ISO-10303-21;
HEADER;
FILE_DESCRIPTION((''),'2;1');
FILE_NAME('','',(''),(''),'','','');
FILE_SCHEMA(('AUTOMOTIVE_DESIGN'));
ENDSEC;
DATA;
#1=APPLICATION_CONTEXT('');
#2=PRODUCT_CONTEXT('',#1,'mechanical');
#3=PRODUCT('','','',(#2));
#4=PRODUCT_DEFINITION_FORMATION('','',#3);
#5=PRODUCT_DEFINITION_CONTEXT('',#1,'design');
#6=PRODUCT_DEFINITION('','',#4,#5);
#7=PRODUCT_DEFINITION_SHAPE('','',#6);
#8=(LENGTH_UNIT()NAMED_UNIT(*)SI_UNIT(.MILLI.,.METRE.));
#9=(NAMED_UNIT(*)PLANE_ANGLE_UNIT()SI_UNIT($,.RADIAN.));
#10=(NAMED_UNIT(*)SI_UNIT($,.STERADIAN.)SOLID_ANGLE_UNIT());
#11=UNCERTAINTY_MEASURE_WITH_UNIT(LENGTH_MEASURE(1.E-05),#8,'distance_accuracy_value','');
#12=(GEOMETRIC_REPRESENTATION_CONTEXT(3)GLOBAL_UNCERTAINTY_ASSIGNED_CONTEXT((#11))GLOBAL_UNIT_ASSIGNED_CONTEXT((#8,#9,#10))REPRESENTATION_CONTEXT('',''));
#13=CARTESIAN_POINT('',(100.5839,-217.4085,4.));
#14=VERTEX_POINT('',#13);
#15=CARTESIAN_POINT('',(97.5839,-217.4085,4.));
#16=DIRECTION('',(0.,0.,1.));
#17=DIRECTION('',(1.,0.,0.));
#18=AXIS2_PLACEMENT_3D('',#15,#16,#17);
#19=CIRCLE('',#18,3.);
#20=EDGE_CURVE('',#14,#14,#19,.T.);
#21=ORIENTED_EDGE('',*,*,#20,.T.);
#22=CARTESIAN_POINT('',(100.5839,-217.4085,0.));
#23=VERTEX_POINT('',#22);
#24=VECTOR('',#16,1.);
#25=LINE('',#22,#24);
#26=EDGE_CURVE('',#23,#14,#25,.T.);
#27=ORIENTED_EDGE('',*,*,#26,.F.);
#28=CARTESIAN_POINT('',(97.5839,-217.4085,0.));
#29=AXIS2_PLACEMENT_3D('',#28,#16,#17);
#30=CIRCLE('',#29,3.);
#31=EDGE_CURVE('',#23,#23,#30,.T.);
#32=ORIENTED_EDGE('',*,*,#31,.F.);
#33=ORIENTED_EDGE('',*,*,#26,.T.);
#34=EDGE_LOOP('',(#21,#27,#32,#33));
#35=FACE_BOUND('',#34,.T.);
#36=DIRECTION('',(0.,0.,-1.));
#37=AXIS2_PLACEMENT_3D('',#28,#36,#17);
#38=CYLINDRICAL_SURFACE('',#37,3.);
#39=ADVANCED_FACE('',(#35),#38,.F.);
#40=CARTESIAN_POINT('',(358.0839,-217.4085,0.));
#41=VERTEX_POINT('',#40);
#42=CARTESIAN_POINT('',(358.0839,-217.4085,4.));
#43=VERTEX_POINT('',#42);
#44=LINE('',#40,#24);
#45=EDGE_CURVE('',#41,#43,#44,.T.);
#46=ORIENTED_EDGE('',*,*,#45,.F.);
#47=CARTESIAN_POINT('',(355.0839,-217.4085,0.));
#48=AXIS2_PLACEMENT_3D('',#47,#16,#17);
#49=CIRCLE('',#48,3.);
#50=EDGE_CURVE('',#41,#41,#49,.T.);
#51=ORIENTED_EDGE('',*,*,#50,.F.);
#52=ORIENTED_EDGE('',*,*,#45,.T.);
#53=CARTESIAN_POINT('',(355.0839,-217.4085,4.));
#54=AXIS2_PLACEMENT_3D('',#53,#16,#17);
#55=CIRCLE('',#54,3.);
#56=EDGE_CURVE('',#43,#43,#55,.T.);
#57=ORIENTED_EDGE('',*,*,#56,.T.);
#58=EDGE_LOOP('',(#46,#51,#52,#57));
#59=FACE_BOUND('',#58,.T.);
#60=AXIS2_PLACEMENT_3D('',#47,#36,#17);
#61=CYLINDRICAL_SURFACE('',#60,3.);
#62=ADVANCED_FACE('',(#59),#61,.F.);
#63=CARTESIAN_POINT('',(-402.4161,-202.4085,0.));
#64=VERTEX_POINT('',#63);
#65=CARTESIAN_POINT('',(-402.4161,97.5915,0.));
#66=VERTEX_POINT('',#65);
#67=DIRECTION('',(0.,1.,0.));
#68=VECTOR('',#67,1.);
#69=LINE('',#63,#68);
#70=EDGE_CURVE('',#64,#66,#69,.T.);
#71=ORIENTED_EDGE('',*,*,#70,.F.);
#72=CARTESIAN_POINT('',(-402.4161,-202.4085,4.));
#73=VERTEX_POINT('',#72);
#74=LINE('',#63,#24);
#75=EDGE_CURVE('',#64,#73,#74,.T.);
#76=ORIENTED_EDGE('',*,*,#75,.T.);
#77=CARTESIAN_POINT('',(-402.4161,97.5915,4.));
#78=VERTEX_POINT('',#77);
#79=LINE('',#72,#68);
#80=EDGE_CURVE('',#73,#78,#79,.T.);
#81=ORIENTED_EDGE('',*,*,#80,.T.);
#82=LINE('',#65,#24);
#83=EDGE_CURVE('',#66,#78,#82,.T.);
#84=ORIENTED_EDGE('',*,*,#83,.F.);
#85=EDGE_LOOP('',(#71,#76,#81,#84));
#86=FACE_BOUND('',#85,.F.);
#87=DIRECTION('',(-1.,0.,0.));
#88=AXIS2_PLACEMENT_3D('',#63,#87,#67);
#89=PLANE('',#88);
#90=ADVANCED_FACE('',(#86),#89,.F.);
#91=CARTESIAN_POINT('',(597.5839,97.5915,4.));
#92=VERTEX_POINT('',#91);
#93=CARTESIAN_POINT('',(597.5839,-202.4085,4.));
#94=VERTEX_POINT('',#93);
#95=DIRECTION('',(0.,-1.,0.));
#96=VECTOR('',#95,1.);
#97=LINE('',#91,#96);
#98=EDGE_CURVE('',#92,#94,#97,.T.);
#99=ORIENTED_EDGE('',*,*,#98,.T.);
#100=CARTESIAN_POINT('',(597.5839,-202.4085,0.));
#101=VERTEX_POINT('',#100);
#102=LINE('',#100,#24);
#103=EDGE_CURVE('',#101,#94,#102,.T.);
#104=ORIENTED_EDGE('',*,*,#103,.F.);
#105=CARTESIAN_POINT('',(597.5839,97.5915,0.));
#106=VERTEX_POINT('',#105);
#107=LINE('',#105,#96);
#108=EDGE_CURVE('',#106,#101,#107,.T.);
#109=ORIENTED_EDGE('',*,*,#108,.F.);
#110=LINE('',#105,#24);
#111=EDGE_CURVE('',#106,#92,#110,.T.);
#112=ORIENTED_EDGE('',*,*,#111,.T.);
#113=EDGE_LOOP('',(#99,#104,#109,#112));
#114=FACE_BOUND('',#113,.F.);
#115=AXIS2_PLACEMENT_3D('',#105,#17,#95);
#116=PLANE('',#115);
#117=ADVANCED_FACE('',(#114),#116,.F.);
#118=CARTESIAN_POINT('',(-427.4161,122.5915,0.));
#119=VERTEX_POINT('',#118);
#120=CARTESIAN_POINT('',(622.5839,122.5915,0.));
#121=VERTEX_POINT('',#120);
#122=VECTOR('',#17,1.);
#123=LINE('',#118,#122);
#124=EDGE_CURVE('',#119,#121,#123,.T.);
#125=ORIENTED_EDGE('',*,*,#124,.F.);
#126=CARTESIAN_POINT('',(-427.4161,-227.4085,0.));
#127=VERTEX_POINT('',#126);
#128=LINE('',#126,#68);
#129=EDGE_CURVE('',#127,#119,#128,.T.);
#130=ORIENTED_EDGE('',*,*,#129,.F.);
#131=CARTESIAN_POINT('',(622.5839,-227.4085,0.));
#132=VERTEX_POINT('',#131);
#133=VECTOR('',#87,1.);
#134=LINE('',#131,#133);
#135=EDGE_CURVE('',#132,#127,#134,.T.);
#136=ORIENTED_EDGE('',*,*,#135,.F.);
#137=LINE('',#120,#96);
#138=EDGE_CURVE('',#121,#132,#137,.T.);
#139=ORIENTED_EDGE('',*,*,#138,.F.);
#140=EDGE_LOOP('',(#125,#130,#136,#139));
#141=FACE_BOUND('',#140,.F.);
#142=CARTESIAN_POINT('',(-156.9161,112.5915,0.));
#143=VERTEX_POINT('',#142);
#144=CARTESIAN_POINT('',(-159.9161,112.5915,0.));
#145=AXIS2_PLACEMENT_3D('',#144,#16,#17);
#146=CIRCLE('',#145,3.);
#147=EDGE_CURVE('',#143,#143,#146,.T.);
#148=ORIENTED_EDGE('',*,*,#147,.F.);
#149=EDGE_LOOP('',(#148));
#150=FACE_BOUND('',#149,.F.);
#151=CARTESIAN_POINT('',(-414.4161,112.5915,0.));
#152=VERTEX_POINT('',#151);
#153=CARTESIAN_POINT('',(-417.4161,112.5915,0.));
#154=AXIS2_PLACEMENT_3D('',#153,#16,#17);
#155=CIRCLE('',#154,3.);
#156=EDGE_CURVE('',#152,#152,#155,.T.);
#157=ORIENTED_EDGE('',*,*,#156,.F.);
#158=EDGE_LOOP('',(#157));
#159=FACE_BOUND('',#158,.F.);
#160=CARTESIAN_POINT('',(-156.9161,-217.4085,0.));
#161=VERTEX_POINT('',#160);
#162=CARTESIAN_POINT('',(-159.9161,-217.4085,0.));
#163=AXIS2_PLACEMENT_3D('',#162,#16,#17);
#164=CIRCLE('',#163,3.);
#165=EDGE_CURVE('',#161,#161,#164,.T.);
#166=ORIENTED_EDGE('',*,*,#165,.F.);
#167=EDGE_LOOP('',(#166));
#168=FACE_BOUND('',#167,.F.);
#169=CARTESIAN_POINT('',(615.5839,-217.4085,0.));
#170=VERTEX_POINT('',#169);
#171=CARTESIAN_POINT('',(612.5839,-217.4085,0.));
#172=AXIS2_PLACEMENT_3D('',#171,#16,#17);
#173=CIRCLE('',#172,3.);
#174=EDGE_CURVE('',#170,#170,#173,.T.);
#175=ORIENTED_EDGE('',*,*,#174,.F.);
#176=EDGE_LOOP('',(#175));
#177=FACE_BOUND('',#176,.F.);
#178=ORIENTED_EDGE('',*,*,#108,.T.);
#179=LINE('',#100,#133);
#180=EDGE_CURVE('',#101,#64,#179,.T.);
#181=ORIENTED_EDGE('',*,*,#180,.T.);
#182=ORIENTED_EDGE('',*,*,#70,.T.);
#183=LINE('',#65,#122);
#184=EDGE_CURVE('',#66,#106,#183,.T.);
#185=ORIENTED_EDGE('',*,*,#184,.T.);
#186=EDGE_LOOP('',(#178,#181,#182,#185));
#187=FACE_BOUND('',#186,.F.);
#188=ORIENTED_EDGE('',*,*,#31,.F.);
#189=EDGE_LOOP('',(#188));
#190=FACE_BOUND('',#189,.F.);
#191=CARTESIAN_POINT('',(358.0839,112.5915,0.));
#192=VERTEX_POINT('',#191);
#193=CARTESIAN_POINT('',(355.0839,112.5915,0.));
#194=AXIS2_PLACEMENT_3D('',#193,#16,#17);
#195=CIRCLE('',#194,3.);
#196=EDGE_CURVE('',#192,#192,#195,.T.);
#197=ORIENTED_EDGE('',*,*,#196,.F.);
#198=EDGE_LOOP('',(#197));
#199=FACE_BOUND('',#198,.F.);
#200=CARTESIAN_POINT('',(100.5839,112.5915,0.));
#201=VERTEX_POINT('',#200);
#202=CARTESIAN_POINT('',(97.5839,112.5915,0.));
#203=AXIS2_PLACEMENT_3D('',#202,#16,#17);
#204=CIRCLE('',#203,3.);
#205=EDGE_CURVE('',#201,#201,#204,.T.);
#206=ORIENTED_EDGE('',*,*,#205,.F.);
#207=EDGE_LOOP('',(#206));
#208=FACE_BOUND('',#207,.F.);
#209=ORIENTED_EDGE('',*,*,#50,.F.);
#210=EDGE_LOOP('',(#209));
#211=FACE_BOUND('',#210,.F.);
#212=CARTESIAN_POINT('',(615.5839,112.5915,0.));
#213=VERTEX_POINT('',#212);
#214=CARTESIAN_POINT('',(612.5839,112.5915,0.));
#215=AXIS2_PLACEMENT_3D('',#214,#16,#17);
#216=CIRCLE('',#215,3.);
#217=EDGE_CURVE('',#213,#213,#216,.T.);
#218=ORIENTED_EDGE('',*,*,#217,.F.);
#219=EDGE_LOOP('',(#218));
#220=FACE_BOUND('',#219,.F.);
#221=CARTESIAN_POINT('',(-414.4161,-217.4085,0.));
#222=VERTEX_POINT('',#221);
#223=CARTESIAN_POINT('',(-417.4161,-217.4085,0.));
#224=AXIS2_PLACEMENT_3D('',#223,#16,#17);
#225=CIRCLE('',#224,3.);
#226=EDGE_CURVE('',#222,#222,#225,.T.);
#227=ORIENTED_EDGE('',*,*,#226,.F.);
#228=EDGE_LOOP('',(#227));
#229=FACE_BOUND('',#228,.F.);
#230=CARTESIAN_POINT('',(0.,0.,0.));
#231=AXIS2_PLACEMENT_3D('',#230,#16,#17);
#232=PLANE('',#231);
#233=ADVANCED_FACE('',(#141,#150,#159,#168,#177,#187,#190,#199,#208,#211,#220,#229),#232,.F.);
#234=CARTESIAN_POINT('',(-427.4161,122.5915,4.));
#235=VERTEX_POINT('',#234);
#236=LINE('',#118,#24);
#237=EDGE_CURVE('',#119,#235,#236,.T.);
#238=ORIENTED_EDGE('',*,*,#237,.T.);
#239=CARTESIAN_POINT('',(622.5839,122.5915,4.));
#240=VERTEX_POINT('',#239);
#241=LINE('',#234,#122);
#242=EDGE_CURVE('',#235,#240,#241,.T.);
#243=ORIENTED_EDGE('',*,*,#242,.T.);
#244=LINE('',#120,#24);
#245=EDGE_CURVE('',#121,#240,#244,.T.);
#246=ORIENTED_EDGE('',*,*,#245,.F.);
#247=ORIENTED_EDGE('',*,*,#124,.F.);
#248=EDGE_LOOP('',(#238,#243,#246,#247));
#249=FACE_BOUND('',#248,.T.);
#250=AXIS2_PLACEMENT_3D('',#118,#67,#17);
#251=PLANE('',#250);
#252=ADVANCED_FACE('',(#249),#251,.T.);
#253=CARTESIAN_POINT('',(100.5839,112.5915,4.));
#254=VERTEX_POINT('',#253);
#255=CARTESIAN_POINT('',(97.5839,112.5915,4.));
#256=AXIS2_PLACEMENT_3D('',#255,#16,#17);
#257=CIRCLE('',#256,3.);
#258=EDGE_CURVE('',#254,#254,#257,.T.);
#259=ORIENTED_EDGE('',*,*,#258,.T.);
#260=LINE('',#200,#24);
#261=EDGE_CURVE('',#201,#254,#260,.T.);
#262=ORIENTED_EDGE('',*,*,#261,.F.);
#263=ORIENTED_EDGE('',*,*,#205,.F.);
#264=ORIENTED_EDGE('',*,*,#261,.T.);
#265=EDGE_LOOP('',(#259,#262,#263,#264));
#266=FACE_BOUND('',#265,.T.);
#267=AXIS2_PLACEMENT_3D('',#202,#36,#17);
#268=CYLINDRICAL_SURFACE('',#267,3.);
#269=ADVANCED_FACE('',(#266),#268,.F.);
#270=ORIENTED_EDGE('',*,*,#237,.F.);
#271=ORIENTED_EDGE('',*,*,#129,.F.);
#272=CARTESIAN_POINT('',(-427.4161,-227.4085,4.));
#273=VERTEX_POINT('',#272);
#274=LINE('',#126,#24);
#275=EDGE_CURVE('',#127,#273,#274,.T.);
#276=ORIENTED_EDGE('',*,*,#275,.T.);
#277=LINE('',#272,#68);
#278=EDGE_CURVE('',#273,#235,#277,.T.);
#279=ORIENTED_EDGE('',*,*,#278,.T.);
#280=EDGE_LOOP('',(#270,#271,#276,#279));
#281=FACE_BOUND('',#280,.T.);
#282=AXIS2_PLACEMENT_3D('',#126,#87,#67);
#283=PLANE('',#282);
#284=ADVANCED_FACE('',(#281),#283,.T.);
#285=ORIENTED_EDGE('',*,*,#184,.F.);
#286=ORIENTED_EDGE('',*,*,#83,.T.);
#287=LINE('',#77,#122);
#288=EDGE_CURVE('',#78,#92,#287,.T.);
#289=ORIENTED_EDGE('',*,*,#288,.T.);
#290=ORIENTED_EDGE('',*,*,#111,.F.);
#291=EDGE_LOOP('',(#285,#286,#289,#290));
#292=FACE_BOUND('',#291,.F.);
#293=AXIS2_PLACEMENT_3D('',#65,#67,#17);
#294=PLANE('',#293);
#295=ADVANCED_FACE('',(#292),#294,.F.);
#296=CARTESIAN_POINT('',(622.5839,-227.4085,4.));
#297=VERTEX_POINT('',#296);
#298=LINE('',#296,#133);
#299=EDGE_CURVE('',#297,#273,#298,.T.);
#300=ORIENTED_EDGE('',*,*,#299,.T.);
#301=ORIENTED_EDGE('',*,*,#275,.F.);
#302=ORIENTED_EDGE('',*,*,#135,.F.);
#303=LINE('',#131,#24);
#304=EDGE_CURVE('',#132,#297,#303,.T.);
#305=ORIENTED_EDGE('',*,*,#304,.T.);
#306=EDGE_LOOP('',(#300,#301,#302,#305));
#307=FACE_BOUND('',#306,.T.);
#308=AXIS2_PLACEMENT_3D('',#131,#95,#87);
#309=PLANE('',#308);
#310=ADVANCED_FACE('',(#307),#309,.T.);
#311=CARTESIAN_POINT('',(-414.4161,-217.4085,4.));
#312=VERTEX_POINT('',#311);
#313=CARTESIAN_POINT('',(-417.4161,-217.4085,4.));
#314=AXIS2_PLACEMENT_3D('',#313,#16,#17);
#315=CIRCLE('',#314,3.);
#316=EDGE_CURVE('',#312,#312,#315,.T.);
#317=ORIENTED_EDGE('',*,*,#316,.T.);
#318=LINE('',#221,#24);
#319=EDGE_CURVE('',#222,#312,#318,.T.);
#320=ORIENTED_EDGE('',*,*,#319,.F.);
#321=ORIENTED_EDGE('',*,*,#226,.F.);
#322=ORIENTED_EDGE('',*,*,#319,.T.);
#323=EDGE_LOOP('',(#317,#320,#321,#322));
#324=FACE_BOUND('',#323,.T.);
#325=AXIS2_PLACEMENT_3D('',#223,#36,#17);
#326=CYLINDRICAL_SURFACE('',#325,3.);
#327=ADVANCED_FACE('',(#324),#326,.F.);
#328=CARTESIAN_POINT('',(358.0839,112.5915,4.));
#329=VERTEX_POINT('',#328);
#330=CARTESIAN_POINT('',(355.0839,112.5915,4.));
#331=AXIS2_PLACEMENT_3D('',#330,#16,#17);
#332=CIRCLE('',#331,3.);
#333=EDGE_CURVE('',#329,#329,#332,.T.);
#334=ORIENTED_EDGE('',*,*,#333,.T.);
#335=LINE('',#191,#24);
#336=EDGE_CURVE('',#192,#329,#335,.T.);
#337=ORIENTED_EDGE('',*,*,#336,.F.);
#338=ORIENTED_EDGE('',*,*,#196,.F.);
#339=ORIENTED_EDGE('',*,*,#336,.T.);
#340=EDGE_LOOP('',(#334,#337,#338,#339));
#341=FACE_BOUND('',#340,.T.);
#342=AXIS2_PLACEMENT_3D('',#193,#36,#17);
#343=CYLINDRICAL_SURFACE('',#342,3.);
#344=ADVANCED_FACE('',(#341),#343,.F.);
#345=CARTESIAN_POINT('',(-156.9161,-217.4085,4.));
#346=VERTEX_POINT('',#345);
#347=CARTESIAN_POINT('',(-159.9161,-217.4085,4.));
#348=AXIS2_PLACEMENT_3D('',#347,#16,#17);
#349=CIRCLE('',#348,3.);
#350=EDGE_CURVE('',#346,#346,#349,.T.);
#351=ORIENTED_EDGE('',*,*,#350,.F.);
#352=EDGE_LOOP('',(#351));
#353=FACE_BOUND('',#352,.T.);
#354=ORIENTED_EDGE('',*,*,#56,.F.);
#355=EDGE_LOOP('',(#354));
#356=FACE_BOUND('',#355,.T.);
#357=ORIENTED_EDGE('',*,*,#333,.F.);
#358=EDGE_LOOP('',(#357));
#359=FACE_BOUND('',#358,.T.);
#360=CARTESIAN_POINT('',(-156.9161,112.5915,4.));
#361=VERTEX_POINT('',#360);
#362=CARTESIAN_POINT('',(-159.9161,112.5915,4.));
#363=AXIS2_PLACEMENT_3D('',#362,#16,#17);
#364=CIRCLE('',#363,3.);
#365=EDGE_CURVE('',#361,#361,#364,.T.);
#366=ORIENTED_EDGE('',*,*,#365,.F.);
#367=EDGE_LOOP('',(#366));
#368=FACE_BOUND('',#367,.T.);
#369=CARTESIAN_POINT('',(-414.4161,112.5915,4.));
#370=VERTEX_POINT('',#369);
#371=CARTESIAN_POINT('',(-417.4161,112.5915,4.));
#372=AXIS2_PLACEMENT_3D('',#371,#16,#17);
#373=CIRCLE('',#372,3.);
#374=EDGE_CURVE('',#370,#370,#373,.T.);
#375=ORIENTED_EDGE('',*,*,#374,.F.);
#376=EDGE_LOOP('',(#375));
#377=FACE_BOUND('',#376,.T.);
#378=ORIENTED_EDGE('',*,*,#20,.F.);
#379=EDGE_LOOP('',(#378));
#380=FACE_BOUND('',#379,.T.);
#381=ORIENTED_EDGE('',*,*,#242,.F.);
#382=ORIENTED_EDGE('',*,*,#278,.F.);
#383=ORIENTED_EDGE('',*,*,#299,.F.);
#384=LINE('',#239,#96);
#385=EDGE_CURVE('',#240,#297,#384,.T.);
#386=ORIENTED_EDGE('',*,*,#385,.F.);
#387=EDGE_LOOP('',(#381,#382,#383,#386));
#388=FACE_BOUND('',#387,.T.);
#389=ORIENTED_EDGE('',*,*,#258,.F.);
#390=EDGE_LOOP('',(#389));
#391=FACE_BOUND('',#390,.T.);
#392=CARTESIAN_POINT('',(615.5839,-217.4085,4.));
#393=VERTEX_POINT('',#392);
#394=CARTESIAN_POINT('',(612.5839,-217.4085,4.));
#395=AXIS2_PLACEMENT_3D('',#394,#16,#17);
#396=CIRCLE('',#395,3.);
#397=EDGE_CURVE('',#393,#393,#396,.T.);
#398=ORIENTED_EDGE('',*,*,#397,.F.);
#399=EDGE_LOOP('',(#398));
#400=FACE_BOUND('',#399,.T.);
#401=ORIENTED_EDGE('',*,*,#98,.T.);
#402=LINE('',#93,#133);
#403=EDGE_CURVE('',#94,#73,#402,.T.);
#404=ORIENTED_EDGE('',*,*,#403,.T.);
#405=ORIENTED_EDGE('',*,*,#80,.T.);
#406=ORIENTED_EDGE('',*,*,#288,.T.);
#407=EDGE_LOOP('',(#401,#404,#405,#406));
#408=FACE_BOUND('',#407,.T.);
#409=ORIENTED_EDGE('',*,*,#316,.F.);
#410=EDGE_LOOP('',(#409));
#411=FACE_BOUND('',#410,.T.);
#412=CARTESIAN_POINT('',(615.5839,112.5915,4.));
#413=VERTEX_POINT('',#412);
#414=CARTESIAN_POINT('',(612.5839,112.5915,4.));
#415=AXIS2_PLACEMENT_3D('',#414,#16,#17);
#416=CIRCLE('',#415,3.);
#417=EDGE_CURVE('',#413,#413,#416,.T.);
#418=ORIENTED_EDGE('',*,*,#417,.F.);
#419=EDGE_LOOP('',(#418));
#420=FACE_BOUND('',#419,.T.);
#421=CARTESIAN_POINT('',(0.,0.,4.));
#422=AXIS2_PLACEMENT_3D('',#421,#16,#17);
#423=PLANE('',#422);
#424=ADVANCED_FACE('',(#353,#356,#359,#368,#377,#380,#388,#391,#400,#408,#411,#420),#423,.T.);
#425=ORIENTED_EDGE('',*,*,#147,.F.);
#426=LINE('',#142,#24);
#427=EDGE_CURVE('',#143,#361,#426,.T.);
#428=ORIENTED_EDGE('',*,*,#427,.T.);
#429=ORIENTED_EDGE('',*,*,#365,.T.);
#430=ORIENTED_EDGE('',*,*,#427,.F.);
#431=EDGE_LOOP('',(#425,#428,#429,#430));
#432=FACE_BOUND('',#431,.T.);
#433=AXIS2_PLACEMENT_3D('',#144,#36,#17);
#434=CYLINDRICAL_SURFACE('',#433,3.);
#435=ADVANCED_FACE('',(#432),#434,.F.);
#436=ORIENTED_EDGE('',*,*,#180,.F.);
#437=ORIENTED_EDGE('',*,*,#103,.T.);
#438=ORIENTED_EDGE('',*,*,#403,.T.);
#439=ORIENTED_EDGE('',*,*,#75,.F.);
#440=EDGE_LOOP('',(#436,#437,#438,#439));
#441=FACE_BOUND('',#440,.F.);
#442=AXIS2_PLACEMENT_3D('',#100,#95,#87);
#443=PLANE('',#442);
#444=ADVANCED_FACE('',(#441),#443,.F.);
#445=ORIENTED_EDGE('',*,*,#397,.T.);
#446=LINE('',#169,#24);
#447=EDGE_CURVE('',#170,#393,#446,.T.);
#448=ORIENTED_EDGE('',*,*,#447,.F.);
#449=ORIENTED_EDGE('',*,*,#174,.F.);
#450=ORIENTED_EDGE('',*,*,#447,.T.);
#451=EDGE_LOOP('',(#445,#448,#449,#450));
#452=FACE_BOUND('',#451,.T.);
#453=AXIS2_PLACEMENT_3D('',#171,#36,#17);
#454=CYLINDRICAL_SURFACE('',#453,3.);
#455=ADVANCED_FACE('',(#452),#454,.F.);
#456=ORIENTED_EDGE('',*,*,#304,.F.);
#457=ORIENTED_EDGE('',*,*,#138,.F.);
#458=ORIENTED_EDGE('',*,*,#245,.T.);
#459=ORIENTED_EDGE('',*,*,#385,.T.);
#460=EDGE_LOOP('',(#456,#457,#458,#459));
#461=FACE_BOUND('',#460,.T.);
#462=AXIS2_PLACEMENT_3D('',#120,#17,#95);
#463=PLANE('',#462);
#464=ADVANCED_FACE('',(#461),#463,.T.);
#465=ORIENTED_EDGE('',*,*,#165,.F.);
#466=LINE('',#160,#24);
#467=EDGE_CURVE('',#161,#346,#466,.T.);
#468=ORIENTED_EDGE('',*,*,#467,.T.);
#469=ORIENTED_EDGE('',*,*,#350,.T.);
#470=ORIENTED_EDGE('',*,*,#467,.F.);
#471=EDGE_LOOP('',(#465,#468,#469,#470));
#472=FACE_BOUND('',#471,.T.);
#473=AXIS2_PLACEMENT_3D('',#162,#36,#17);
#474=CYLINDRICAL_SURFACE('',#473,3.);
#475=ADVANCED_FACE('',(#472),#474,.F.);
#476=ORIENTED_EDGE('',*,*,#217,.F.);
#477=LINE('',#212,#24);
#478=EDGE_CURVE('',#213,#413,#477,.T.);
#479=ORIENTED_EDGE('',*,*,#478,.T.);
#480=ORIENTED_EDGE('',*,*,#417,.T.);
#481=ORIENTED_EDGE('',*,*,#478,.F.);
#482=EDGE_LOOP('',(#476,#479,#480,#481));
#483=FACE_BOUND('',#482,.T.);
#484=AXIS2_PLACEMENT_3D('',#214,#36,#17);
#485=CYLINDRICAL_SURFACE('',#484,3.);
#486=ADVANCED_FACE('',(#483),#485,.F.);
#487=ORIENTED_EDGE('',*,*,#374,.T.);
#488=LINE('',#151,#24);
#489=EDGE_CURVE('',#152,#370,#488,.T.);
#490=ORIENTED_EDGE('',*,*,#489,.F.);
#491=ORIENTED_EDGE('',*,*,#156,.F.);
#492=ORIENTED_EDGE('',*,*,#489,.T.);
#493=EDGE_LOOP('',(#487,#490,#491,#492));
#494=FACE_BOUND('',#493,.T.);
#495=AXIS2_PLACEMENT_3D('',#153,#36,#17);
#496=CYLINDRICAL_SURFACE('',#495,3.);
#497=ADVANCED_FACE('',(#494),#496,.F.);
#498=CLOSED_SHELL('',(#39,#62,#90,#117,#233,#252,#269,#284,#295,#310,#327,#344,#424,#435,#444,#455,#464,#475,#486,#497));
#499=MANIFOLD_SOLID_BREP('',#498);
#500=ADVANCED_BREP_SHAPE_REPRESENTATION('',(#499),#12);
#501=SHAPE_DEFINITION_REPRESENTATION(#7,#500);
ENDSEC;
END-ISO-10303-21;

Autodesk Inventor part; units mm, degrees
ref_plane "YZ Plane" through (0, 0, 0) normal (1, 0, 0) x (0, 1, 0)
ref_plane "XZ Plane" through (0, 0, 0) normal (0, 1, 0) x (-1, 0, 0)
ref_plane "XY Plane" through (0, 0, 0) normal (0, 0, 1) x (1, 0, 0)
sketch "Sketch1" plane through (0, 0, 0) normal (0, 0, 1) x (1, 0, 0)
  line L0 (97.5839, -20.2585) -> (97.5839, -84.5585) construction
  line L1 (97.5839, -52.4085) -> (19.6066, -52.4085)
  line L2 (622.5839, -227.4085) -> (-427.4161, -227.4085)
  line L3 (-427.4161, -227.4085) -> (-427.4161, 122.5915)
  line L4 (-427.4161, 122.5915) -> (622.5839, 122.5915)
  line L5 (622.5839, 122.5915) -> (622.5839, -227.4085)
  line L6 (622.5839, -227.4085) -> (-427.4161, 122.5915) construction
  line L7 (-427.4161, -227.4085) -> (622.5839, 122.5915) construction
  line L8 (-402.4161, 97.5915) -> (597.5839, 97.5915)
  line L9 (597.5839, 97.5915) -> (597.5839, -202.4085)
  line L10 (597.5839, -202.4085) -> (-402.4161, -202.4085)
  line L11 (-402.4161, -202.4085) -> (-402.4161, 97.5915)
  line L12 (-402.4161, 97.5915) -> (597.5839, -202.4085) construction
  line L13 (597.5839, 97.5915) -> (-402.4161, -202.4085) construction
  circle A0 centre (-417.4161, -217.4085) radius 3 projected
  circle A1 centre (-159.9161, -217.4085) radius 3 projected
  circle A2 centre (97.5839, 112.5915) radius 3 projected
  circle A3 centre (-159.9161, 112.5915) radius 3 projected
  circle A4 centre (-417.4161, 112.5915) radius 3 projected
  circle A5 centre (355.0839, 112.5915) radius 3 projected
  circle A6 centre (612.5839, 112.5915) radius 3 projected
  circle A7 centre (612.5839, -217.4085) radius 3 projected
  circle A8 centre (355.0839, -217.4085) radius 3 projected
  circle A9 centre (97.5839, -217.4085) radius 3 projected
  point P0 (0, 0)
  dimension "d0" = 1050
  dimension "d1" = 350
  dimension "d6" = 1000
  dimension "d7" = 300
extrude "Extrusion2" add sketch "Sketch1" along normal blind 4
properties part number "PrimaryCoilAluminiumLayer" material "Silver"
